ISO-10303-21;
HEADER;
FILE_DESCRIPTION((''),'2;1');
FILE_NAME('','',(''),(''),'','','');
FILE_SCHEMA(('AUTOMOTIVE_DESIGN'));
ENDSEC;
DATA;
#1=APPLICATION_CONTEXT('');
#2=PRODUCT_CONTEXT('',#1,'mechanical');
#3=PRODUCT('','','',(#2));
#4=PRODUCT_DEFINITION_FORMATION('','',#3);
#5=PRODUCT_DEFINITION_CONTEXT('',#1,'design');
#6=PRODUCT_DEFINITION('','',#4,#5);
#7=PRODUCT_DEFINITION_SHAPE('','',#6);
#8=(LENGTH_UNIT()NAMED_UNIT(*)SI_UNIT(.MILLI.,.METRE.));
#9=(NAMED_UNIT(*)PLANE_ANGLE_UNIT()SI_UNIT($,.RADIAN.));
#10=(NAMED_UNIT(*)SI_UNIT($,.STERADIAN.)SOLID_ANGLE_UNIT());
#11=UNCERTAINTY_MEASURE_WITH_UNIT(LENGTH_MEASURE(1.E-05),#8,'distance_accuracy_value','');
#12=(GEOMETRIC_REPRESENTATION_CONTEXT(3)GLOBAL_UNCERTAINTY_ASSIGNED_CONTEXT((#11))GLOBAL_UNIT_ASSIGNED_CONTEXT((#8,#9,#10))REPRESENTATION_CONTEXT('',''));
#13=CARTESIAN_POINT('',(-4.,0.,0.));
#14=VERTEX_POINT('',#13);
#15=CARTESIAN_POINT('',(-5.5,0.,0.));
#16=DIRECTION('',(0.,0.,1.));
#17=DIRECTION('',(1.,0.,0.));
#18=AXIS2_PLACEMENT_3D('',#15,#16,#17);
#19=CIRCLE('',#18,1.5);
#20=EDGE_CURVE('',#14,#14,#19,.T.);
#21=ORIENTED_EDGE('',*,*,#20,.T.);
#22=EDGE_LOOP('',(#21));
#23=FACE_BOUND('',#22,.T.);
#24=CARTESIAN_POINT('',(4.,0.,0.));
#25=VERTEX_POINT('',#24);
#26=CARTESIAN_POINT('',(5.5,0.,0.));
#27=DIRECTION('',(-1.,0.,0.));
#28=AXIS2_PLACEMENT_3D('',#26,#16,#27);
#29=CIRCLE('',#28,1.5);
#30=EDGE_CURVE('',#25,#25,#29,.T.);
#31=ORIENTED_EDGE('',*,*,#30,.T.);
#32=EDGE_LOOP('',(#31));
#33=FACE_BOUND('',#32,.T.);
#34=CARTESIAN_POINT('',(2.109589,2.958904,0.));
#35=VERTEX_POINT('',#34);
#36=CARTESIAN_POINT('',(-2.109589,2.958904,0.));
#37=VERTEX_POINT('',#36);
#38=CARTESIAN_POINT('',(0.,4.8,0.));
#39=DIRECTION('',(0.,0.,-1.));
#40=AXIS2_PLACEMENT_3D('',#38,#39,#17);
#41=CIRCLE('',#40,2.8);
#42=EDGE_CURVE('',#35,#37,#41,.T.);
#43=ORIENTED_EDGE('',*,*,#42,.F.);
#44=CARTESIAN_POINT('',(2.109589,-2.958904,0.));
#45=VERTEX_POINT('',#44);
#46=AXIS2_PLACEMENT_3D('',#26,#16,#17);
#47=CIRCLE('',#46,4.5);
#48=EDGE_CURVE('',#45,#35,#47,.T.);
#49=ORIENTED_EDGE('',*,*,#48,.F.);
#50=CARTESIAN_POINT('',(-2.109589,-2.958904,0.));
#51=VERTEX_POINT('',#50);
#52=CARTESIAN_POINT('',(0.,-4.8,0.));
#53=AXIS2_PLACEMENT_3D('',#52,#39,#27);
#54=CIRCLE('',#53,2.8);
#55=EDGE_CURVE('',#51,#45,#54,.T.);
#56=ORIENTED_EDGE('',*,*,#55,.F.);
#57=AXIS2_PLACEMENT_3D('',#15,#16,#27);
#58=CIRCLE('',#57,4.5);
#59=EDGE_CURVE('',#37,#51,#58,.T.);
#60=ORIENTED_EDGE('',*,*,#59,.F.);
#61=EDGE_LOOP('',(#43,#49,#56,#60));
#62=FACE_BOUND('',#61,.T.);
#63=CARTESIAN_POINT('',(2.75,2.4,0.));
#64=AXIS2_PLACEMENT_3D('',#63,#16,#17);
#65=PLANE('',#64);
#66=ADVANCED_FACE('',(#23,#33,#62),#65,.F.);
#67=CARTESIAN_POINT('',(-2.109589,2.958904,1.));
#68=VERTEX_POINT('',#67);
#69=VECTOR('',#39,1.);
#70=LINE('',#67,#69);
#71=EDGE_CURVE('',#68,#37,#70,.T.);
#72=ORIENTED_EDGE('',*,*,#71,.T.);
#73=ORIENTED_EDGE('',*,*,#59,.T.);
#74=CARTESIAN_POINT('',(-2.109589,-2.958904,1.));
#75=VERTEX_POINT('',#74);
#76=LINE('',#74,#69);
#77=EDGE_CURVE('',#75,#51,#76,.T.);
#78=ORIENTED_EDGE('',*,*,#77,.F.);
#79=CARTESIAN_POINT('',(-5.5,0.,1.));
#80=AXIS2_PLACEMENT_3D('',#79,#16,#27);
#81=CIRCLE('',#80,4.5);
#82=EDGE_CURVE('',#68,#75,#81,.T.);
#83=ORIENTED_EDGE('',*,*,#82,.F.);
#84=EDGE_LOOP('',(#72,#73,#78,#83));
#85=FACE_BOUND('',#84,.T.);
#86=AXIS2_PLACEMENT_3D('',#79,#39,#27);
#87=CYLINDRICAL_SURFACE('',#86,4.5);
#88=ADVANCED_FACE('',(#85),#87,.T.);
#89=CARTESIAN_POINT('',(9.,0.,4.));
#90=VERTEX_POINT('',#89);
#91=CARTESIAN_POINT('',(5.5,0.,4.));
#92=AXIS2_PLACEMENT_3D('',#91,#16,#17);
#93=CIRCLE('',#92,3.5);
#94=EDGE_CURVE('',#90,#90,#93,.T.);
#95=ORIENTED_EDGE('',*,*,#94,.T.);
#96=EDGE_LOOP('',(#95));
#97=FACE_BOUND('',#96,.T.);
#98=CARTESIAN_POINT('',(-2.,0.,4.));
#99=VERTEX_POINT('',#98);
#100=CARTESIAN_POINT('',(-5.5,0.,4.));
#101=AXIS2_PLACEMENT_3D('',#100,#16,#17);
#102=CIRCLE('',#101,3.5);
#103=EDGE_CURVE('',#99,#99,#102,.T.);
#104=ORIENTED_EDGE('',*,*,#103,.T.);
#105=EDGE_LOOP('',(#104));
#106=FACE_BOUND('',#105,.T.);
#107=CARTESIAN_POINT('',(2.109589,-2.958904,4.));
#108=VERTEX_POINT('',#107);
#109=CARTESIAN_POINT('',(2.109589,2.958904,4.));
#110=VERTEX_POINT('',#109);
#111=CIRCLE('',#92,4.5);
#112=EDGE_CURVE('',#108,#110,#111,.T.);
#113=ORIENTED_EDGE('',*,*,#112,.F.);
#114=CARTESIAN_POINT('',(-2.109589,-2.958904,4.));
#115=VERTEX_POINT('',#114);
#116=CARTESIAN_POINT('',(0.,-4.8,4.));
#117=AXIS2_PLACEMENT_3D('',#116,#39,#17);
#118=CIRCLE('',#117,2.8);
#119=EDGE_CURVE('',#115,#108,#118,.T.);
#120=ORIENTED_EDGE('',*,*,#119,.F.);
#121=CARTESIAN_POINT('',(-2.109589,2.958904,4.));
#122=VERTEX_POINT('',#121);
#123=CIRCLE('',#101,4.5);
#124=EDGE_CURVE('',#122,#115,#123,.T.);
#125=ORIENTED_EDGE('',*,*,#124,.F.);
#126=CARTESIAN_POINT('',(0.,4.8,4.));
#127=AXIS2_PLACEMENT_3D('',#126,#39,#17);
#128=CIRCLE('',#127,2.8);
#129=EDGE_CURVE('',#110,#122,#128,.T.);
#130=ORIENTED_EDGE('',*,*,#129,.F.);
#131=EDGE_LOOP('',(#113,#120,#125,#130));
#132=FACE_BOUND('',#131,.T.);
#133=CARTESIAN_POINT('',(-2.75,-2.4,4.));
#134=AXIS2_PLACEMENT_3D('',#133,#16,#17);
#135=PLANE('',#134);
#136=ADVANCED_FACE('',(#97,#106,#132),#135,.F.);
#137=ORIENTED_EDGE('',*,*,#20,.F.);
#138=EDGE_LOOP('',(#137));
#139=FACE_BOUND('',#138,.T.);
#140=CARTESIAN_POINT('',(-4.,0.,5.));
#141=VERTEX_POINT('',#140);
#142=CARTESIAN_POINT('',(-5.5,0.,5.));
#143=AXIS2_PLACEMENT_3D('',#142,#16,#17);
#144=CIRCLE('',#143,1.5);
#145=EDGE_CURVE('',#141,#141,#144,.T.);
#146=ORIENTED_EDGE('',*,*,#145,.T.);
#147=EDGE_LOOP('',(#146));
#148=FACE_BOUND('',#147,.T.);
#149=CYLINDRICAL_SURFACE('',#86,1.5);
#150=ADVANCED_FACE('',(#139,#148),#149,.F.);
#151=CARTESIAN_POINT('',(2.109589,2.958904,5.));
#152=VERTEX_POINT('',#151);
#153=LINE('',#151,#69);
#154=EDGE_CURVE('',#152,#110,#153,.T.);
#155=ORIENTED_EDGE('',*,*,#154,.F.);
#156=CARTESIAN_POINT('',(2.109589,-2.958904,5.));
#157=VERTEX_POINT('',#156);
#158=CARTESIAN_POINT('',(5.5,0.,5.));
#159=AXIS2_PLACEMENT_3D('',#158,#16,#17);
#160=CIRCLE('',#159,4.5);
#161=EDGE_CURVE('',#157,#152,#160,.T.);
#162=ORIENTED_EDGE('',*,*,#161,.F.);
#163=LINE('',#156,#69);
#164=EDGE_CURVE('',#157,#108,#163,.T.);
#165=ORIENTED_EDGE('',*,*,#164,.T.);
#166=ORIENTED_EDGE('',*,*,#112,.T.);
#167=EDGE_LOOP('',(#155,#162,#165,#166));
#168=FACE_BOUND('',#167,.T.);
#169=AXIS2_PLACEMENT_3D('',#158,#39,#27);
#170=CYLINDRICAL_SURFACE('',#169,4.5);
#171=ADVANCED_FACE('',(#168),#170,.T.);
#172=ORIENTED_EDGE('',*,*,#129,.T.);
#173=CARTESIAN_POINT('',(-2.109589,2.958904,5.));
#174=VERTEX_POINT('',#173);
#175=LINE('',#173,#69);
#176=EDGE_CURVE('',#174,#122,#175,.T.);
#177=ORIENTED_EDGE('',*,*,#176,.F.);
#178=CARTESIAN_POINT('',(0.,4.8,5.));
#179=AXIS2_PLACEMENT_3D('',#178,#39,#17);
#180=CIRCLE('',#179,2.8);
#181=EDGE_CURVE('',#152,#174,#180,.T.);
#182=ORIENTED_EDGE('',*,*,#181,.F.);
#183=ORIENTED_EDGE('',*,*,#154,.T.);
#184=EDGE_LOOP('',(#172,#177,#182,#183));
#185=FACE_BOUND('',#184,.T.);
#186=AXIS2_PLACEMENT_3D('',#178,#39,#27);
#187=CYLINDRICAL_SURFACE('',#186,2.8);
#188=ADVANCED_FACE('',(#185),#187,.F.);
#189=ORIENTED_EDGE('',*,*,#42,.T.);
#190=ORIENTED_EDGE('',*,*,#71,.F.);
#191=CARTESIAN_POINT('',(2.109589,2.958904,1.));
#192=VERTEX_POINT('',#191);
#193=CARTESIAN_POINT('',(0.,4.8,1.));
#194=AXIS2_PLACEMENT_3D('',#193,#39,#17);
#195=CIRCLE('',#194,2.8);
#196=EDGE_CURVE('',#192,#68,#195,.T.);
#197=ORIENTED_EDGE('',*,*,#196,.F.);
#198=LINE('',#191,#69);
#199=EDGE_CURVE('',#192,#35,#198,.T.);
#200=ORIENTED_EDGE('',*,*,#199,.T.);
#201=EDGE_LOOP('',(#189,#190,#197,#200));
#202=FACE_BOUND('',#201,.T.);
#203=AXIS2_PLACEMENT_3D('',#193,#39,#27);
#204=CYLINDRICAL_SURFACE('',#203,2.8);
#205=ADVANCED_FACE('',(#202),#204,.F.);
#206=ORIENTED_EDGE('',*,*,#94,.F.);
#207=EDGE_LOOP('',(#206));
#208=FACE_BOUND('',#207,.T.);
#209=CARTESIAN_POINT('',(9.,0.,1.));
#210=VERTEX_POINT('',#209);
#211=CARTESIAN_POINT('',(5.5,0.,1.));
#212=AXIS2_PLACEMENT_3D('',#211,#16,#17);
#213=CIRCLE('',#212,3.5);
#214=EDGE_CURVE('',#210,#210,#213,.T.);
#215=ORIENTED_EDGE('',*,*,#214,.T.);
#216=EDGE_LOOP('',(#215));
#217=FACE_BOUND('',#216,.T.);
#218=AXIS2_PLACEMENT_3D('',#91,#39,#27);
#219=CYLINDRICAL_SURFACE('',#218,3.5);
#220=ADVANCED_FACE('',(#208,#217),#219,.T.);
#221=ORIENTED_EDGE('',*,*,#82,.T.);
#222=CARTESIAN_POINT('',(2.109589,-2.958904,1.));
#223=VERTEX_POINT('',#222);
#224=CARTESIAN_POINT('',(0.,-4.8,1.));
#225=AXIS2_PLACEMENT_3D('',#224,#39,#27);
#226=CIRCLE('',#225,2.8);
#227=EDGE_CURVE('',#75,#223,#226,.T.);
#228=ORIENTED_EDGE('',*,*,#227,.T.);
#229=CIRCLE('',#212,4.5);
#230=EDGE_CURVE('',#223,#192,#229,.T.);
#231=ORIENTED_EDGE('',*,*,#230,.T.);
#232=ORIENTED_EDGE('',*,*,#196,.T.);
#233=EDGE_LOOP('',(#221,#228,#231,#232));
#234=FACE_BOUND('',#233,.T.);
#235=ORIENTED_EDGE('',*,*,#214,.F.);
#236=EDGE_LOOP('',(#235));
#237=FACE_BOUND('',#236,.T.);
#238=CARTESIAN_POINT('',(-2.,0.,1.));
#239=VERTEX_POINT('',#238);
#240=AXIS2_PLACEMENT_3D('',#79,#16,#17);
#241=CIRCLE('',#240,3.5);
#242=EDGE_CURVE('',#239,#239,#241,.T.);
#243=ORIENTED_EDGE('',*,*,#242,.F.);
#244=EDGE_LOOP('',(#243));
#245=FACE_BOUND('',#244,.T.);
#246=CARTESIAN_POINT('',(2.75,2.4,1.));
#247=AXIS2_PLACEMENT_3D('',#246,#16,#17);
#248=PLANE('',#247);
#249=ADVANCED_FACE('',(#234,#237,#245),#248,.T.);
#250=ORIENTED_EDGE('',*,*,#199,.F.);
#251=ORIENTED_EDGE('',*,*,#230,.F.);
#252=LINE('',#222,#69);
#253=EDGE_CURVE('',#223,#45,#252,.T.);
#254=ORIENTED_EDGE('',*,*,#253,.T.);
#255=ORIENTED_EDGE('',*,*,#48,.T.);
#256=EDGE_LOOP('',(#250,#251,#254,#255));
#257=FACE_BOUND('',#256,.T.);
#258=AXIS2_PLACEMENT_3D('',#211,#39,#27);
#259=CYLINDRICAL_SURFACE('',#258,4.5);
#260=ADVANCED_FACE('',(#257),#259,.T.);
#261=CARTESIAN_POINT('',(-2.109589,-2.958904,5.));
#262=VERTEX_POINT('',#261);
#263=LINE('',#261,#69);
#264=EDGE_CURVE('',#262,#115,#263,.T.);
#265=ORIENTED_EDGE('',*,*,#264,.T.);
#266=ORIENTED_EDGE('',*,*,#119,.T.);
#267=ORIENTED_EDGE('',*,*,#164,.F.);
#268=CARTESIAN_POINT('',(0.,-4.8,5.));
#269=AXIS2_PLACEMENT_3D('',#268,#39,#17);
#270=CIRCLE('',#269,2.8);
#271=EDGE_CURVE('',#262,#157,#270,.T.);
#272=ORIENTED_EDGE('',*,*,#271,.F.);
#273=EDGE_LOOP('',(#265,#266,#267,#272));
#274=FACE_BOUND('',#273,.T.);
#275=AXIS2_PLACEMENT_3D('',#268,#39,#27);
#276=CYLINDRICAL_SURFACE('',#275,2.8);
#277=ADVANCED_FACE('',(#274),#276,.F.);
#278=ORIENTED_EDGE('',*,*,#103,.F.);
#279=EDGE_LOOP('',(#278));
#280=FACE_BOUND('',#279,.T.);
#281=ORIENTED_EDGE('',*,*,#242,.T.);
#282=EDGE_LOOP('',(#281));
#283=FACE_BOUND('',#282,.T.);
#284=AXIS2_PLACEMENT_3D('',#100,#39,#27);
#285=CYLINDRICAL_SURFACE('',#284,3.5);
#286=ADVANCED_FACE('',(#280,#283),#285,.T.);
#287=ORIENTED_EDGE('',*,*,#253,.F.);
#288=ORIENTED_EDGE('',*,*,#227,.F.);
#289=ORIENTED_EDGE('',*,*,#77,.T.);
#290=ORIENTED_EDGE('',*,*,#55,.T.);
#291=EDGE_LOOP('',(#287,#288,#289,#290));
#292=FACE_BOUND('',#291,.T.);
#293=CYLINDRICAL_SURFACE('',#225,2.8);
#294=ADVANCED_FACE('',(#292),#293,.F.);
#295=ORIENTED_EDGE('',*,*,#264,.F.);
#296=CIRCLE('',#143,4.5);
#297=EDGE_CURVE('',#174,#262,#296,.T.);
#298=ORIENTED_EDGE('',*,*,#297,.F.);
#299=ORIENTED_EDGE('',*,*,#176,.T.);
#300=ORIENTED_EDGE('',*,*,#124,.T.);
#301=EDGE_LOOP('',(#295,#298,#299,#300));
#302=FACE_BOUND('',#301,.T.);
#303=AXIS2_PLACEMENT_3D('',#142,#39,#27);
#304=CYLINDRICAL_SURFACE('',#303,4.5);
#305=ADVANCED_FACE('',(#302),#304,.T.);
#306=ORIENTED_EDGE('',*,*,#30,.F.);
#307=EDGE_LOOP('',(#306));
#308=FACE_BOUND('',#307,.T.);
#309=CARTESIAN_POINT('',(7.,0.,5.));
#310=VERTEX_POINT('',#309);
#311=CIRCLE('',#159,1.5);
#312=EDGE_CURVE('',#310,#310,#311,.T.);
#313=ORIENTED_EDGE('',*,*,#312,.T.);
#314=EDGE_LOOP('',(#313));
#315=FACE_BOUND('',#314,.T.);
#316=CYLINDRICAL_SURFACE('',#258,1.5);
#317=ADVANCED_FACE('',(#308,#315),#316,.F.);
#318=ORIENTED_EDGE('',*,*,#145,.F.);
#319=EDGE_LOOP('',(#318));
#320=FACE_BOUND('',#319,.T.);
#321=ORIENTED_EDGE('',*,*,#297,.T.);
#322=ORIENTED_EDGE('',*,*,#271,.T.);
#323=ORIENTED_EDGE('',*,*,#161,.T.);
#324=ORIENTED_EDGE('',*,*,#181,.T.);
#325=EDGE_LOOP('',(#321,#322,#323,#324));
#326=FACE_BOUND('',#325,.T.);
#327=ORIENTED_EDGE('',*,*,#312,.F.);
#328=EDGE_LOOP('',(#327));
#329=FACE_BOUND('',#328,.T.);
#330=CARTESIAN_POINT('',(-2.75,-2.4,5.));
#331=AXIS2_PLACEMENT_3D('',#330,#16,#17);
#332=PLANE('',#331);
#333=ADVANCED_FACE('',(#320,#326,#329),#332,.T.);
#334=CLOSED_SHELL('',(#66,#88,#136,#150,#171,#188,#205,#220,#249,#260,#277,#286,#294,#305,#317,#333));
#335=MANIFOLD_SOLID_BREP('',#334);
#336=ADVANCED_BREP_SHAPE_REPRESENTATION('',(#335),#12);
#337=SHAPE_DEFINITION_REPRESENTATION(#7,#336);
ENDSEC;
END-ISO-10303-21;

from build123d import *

# Parameters (mm, degrees)
CROQUIS1_R              = 1.5
SALIENTE_EXTRUIR1_DEPTH = 1
CROQUIS2_R              = 3.5
CROQUIS2_R_2            = 1.5
SALIENTE_EXTRUIR2_DEPTH = 3
CROQUIS3_R              = 1.5
SALIENTE_EXTRUIR3_DEPTH = 1


with BuildPart() as part:
    # Croquis1 → Saliente-Extruir1 (new body)
    with BuildSketch(Plane.XY):
        with BuildLine():
            ThreePointArc((2.109589041, -2.95890411), (10, 0), (2.109589041, 2.95890411))
            ThreePointArc((2.109589041, 2.95890411), (0, 2), (-2.109589041, 2.95890411))
            ThreePointArc((-2.109589041, 2.95890411), (-10, 0), (-2.109589041, -2.95890411))
            ThreePointArc((-2.109589041, -2.95890411), (0, -2), (2.109589041, -2.95890411))
        make_face()
        with Locations((-5.5, 0)):
            Circle(CROQUIS1_R, mode=Mode.SUBTRACT)
        with Locations((5.5, 0)):
            Circle(CROQUIS1_R, mode=Mode.SUBTRACT)
    extrude(amount=SALIENTE_EXTRUIR1_DEPTH)

    # Croquis2 → Saliente-Extruir2 (add)
    with BuildSketch(Plane.XY.offset(1)):
        with Locations((-5.5, 0)):
            Circle(CROQUIS2_R)
        with Locations((-5.5, 0)):
            Circle(CROQUIS2_R_2, mode=Mode.SUBTRACT)
        with Locations((5.5, 0)):
            Circle(CROQUIS2_R)
        with Locations((5.5, 0)):
            Circle(CROQUIS2_R_2, mode=Mode.SUBTRACT)
    extrude(amount=SALIENTE_EXTRUIR2_DEPTH)

    # Croquis3 → Saliente-Extruir3 (add)
    with BuildSketch(Plane.XY.offset(4)):
        with BuildLine():
            ThreePointArc((-2.109589041, 2.95890411), (0, 2), (2.109589041, 2.95890411))
            ThreePointArc((2.109589041, 2.95890411), (10, 0), (2.109589041, -2.95890411))
            ThreePointArc((2.109589041, -2.95890411), (0, -2), (-2.109589041, -2.95890411))
            ThreePointArc((-2.109589041, -2.95890411), (-10, 0), (-2.109589041, 2.95890411))
        make_face()
        with Locations((-5.5, 0)):
            Circle(CROQUIS3_R, mode=Mode.SUBTRACT)
        with Locations((5.5, 0)):
            Circle(CROQUIS3_R, mode=Mode.SUBTRACT)
    extrude(amount=SALIENTE_EXTRUIR3_DEPTH)


solid = part.part
